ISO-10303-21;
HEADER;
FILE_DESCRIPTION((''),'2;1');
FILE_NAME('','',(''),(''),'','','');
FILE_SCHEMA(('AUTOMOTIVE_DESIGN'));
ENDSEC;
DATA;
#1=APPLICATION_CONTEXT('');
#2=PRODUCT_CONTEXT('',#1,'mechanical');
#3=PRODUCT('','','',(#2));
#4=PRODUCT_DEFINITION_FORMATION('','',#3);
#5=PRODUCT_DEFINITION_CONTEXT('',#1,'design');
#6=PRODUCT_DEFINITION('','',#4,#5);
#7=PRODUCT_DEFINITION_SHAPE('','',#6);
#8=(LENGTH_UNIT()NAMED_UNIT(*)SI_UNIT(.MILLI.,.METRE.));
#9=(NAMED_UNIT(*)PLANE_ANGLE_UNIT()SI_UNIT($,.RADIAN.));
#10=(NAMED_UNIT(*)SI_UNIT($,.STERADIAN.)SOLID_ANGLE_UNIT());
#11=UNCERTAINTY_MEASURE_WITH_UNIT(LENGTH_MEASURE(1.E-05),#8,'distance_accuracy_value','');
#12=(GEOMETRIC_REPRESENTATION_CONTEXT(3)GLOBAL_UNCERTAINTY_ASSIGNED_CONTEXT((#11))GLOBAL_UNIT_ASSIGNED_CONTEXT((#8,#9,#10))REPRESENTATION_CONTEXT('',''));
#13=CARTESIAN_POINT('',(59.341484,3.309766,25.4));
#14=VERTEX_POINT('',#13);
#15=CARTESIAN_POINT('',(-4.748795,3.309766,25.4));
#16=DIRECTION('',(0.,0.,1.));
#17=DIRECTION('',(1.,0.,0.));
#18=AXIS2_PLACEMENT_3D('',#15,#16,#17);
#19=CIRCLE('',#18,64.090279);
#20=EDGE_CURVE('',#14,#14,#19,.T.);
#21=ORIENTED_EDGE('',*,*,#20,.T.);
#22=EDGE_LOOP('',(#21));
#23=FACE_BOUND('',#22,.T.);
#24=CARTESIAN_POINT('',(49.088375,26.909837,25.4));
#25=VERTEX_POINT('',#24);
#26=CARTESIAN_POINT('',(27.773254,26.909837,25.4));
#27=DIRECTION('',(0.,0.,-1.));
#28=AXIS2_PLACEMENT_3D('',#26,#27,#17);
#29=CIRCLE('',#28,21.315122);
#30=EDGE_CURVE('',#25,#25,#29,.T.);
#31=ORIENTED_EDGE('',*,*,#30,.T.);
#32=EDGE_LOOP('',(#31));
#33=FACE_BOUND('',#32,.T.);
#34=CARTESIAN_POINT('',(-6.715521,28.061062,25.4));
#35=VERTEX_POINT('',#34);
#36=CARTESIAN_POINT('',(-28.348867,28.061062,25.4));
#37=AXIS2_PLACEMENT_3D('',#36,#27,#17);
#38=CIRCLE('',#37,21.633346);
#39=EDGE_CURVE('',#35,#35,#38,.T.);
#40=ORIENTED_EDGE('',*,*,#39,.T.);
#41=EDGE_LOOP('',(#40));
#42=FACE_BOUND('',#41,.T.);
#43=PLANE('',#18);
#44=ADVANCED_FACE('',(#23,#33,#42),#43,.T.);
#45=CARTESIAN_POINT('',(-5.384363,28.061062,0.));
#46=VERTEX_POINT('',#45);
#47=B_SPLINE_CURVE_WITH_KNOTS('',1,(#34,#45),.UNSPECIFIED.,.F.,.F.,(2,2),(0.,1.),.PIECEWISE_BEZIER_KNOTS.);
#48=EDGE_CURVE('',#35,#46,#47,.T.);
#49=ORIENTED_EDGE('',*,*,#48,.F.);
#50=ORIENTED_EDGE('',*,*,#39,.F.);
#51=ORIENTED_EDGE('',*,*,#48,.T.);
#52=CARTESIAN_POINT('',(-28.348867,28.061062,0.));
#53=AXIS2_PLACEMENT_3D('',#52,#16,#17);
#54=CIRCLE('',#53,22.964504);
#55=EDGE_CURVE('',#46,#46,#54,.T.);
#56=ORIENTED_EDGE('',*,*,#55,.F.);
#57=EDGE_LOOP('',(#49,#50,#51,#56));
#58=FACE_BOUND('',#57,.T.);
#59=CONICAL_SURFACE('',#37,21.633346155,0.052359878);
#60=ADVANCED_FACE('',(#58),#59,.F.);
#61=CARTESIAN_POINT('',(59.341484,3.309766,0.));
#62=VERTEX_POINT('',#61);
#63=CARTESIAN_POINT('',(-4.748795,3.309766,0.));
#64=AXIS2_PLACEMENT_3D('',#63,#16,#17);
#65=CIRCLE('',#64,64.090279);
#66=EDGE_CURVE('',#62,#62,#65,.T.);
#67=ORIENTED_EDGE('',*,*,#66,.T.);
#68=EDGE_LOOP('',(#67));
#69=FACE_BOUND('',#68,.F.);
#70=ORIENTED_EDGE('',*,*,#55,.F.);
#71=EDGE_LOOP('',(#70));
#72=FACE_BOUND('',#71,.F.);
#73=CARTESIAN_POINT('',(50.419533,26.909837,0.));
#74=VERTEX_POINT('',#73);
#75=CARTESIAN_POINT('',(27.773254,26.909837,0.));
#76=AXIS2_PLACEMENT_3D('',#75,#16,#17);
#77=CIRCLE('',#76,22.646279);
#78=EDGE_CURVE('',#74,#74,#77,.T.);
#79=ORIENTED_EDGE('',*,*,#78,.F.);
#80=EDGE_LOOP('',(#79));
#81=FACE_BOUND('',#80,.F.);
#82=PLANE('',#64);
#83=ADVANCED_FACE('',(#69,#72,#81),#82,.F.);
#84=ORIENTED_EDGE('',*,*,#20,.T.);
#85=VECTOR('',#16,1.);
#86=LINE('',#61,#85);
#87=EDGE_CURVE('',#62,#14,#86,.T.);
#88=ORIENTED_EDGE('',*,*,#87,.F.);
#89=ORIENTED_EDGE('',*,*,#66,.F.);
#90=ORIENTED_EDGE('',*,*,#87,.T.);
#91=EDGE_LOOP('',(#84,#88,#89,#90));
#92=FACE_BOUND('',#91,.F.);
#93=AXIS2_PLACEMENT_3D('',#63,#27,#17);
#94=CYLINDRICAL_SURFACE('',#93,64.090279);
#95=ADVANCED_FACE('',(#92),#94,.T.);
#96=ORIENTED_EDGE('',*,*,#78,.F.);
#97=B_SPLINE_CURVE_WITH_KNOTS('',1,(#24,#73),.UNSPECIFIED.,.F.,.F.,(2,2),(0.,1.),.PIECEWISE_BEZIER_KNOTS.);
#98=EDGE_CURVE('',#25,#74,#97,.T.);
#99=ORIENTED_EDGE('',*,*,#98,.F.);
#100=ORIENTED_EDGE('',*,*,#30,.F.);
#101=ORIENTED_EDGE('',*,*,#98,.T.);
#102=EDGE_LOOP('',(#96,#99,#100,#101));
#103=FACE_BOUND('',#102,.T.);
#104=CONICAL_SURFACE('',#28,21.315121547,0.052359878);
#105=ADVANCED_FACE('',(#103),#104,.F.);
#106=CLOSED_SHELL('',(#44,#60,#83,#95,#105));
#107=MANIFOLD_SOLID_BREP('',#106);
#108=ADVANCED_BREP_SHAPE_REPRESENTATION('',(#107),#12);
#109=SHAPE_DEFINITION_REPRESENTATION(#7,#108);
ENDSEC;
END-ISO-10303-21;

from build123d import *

# Parameters (mm, degrees)
F0_R     = 64.0902787158
F1_DEPTH = 25.4
F2_R     = 21.6333461549
F2_R_2   = 21.315121547
F3_DEPTH = 25.4
F3_TAPER = -3


with BuildPart() as f1:
    # F0 (on Top) → F1 (new body)
    with BuildSketch(Plane.XY):
        with Locations((-4.7487947159, 3.3097660635)):
            Circle(F0_R)
    extrude(amount=F1_DEPTH)

    # F2 (on face) → F3 (cut)
    with BuildSketch(Plane.XY.offset(25.4)):
        with Locations((-28.3488668501, 28.0610620975)):
            Circle(F2_R)
        with Locations((27.7732536197, 26.9098374993)):
            Circle(F2_R_2)
    extrude(amount=-F3_DEPTH, taper=F3_TAPER, mode=Mode.SUBTRACT)


solid = f1.part
